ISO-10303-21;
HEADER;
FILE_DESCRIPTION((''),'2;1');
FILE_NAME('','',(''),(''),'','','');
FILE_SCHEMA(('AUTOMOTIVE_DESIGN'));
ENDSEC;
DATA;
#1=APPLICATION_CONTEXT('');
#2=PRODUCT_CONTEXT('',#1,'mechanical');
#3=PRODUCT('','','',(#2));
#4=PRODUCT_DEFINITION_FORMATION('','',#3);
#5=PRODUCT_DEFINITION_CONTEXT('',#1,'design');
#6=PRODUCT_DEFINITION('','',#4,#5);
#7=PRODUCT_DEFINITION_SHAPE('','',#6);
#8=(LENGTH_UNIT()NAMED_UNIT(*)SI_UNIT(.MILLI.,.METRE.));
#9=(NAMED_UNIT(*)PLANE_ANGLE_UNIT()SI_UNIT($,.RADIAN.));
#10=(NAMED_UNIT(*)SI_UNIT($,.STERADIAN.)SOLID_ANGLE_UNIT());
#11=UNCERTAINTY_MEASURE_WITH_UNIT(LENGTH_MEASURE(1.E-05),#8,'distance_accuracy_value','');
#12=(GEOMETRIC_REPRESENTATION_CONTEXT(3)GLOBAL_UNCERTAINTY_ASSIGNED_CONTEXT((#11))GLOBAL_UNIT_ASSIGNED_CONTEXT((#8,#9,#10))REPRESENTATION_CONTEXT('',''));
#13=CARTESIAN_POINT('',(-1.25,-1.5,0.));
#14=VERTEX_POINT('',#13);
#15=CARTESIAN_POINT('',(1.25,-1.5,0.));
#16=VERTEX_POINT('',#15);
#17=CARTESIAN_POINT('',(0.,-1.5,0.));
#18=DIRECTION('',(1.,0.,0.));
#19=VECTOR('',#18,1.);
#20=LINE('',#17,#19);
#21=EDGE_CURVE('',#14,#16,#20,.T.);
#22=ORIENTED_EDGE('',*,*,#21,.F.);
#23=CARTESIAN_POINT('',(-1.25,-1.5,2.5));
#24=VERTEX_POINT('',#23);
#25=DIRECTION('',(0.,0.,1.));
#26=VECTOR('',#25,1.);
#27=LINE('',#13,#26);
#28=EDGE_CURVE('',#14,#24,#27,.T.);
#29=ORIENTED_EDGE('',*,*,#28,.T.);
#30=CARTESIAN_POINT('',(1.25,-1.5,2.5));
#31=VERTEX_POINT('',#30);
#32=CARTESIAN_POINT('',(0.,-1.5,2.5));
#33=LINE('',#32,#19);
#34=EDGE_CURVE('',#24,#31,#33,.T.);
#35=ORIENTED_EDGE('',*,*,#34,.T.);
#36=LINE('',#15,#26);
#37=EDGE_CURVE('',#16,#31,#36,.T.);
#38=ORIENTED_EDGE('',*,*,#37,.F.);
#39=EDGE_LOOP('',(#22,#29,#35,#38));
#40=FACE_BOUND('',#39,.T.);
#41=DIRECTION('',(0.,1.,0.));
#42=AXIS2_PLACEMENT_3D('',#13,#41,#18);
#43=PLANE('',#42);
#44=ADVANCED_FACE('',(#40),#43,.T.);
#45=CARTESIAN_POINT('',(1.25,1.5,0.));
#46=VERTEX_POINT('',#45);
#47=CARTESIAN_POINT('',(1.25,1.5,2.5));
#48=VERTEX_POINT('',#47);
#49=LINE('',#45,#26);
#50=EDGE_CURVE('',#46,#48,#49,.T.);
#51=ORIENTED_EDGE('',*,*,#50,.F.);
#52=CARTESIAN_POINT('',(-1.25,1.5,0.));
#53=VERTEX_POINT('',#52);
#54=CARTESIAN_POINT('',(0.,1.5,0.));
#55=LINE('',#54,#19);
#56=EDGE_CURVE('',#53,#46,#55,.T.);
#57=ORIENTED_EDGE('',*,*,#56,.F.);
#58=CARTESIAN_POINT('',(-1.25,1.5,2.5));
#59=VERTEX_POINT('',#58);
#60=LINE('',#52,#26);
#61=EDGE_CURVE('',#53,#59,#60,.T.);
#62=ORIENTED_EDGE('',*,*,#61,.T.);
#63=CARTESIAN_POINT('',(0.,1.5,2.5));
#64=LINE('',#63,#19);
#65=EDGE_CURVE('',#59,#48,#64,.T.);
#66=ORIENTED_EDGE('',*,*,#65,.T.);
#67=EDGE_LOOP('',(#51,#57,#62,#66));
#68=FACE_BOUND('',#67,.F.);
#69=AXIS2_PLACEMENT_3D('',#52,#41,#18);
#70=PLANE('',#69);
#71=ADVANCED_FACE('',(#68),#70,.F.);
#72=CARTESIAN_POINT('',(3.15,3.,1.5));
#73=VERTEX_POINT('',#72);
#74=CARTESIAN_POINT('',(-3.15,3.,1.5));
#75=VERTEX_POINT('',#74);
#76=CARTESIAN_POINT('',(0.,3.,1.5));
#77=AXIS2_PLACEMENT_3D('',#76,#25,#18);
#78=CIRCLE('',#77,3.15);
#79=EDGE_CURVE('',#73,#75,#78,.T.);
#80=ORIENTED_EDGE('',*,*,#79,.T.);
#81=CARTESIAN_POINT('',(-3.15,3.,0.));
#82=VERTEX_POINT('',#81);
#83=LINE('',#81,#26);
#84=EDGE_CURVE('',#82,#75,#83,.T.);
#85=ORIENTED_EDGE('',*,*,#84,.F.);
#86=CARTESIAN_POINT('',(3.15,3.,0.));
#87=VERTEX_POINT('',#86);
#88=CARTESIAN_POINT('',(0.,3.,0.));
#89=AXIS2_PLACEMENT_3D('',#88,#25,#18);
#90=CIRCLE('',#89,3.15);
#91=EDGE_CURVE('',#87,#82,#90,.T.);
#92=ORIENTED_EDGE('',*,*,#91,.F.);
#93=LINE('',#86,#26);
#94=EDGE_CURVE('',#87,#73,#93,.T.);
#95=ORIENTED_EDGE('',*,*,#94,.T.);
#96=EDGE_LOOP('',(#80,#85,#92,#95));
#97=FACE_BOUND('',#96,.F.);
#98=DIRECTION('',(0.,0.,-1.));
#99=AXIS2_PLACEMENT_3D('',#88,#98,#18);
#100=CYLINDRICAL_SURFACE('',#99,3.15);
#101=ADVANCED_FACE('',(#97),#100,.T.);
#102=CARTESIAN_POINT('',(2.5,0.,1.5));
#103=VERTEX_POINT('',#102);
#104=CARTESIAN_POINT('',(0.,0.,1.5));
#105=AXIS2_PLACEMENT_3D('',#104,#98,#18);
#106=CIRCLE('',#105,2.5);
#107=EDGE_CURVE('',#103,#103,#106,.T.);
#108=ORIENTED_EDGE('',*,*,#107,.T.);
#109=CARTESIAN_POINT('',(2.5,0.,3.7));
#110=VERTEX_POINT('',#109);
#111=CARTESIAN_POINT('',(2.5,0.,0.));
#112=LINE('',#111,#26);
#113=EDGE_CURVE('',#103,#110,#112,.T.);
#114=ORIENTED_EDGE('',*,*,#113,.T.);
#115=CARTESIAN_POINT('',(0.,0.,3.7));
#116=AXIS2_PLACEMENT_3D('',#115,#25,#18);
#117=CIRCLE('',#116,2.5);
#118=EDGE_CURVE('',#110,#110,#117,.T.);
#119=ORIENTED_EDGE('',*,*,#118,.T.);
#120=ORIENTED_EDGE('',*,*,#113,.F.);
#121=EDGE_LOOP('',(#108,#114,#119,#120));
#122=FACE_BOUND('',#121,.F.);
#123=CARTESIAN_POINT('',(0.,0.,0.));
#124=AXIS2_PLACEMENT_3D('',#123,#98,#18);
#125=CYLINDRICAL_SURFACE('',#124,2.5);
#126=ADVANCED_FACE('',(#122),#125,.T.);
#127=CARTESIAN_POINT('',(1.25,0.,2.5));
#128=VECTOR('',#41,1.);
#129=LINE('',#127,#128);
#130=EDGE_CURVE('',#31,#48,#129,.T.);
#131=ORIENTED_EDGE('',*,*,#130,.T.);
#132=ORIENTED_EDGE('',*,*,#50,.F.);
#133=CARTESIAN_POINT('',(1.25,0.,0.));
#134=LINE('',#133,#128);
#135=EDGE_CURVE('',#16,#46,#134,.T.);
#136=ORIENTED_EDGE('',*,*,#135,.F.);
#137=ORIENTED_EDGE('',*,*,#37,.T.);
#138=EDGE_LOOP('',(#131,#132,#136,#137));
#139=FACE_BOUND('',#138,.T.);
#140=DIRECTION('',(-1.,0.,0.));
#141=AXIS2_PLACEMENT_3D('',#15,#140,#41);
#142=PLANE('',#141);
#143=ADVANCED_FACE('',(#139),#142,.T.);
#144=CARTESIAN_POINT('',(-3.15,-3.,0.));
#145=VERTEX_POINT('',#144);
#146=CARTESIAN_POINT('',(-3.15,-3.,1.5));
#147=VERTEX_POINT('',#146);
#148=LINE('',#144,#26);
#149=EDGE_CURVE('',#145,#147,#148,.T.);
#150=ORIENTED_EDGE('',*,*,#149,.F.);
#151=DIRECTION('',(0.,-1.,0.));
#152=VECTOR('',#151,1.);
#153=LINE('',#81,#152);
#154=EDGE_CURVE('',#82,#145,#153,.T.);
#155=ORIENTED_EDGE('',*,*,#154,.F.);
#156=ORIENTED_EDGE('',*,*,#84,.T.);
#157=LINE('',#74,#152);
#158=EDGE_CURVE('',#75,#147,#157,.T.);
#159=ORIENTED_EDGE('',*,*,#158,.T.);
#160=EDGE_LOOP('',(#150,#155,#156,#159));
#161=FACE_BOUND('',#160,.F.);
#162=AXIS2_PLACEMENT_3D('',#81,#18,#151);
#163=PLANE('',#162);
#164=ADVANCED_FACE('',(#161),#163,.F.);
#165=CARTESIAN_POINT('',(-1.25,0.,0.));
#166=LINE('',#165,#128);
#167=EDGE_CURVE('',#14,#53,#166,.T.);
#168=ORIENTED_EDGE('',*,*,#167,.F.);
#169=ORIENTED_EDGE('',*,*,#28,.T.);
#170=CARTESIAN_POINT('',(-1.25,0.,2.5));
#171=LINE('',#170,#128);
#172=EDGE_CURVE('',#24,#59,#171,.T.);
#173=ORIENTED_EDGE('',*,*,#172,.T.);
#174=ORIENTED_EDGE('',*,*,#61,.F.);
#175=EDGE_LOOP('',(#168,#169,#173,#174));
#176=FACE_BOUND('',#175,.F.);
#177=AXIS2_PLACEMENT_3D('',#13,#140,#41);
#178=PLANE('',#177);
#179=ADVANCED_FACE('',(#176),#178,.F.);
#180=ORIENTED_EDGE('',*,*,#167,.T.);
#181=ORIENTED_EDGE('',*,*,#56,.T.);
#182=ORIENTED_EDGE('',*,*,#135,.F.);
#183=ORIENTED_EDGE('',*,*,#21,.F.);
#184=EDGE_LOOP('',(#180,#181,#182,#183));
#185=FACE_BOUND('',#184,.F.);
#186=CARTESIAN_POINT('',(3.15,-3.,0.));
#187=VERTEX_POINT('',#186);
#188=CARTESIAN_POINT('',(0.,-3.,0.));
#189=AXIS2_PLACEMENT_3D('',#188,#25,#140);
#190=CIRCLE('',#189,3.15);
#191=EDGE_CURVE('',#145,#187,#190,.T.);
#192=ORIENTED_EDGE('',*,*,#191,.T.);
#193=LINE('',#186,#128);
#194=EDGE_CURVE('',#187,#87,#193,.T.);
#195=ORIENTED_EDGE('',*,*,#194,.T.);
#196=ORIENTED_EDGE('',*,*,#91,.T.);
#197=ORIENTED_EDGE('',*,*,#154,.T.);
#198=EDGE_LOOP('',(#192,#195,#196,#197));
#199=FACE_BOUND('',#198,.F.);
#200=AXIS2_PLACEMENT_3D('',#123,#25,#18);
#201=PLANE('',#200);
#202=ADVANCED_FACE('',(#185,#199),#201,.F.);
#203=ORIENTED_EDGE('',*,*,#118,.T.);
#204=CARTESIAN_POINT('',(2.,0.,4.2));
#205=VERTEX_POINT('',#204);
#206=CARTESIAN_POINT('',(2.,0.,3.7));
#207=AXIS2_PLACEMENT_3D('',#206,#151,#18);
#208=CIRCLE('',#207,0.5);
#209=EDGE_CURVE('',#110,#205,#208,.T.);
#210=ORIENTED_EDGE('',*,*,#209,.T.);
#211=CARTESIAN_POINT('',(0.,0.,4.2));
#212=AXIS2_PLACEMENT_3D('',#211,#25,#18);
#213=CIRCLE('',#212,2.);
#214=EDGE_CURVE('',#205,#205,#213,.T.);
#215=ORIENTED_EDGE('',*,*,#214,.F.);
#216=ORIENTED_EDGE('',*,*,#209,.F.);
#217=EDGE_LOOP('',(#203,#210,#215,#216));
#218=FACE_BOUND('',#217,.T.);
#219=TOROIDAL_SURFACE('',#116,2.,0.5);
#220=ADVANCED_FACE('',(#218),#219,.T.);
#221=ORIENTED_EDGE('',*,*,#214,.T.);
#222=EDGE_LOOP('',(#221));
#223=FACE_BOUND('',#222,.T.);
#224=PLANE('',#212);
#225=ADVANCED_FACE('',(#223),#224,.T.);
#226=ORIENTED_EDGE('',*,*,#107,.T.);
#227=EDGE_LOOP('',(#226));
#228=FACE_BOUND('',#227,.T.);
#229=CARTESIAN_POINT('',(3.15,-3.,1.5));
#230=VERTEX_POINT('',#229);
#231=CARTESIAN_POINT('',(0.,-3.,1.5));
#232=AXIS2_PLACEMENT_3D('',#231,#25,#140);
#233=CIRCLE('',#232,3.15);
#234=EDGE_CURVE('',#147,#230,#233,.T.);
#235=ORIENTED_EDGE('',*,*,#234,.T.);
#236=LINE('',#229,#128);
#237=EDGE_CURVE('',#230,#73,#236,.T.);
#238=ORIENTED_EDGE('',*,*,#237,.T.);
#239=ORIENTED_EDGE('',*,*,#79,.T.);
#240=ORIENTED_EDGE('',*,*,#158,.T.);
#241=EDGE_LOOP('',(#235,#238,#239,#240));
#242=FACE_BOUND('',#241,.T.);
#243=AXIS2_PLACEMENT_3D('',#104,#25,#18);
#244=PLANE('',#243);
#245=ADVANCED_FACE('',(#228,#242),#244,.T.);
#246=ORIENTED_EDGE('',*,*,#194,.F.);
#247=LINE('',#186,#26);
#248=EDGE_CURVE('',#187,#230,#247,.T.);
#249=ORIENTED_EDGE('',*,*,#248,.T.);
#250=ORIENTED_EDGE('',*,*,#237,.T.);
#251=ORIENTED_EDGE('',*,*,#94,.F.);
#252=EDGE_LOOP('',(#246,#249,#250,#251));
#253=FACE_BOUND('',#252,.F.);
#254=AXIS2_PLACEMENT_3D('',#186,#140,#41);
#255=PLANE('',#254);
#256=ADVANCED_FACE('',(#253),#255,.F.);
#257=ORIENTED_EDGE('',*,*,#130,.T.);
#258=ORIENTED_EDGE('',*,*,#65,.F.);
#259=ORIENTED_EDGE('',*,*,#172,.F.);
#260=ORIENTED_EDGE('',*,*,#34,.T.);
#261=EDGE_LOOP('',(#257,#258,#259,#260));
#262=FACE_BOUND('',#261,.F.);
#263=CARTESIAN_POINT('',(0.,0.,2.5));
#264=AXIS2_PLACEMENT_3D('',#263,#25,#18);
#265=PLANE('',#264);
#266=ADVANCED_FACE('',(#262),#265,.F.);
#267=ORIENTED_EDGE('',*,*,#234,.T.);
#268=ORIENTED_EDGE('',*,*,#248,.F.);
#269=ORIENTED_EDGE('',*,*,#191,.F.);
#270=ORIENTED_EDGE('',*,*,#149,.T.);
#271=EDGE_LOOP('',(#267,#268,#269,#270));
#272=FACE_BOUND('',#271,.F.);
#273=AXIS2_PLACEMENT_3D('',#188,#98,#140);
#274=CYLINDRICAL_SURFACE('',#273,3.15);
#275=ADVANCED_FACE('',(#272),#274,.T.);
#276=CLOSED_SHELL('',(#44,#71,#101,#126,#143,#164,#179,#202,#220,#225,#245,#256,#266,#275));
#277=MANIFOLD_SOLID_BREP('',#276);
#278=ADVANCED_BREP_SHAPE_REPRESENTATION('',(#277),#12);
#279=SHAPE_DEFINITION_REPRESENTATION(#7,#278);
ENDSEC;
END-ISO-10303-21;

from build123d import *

# Parameters (mm, degrees)
F0_R     = 2.5
F0_W     = 2.5
F0_H     = 3
F1_DEPTH = 1.5
F2_DEPTH = 4.2
F3_DEPTH = 2.5
F4_R     = 0.5


with BuildPart() as f1:
    # F0 (on Top) → F1 (new body)
    with BuildSketch(Plane.XY):
        with BuildLine():
            Line((-3.15, 3), (-3.15, -3))
            ThreePointArc((-3.15, -3), (0, -6.15), (3.15, -3))
            Line((3.15, -3), (3.15, 3))
            ThreePointArc((3.15, 3), (0, 6.15), (-3.15, 3))
        make_face()
        Circle(F0_R, mode=Mode.SUBTRACT)
        Circle(F0_R)
        Rectangle(F0_W, F0_H, mode=Mode.SUBTRACT)
        Rectangle(F0_W, F0_H)
    extrude(amount=F1_DEPTH)

    # F0 (on Top) → F2 (join)
    with BuildSketch(Plane.XY):
        Circle(F0_R)
        Rectangle(F0_W, F0_H, mode=Mode.SUBTRACT)
        Rectangle(F0_W, F0_H)
    extrude(amount=F2_DEPTH)

    # F0 (on Top) → F3 (cut)
    with BuildSketch(Plane.XY):
        Rectangle(F0_W, F0_H)
    extrude(amount=F3_DEPTH, mode=Mode.SUBTRACT)

    # F4
    f4_edges = [f1.edges().sort_by_distance(p)[0] for p in [
        (-2.5, 0, 4.2),
    ]]
    fillet(f4_edges, radius=F4_R)


solid = f1.part
